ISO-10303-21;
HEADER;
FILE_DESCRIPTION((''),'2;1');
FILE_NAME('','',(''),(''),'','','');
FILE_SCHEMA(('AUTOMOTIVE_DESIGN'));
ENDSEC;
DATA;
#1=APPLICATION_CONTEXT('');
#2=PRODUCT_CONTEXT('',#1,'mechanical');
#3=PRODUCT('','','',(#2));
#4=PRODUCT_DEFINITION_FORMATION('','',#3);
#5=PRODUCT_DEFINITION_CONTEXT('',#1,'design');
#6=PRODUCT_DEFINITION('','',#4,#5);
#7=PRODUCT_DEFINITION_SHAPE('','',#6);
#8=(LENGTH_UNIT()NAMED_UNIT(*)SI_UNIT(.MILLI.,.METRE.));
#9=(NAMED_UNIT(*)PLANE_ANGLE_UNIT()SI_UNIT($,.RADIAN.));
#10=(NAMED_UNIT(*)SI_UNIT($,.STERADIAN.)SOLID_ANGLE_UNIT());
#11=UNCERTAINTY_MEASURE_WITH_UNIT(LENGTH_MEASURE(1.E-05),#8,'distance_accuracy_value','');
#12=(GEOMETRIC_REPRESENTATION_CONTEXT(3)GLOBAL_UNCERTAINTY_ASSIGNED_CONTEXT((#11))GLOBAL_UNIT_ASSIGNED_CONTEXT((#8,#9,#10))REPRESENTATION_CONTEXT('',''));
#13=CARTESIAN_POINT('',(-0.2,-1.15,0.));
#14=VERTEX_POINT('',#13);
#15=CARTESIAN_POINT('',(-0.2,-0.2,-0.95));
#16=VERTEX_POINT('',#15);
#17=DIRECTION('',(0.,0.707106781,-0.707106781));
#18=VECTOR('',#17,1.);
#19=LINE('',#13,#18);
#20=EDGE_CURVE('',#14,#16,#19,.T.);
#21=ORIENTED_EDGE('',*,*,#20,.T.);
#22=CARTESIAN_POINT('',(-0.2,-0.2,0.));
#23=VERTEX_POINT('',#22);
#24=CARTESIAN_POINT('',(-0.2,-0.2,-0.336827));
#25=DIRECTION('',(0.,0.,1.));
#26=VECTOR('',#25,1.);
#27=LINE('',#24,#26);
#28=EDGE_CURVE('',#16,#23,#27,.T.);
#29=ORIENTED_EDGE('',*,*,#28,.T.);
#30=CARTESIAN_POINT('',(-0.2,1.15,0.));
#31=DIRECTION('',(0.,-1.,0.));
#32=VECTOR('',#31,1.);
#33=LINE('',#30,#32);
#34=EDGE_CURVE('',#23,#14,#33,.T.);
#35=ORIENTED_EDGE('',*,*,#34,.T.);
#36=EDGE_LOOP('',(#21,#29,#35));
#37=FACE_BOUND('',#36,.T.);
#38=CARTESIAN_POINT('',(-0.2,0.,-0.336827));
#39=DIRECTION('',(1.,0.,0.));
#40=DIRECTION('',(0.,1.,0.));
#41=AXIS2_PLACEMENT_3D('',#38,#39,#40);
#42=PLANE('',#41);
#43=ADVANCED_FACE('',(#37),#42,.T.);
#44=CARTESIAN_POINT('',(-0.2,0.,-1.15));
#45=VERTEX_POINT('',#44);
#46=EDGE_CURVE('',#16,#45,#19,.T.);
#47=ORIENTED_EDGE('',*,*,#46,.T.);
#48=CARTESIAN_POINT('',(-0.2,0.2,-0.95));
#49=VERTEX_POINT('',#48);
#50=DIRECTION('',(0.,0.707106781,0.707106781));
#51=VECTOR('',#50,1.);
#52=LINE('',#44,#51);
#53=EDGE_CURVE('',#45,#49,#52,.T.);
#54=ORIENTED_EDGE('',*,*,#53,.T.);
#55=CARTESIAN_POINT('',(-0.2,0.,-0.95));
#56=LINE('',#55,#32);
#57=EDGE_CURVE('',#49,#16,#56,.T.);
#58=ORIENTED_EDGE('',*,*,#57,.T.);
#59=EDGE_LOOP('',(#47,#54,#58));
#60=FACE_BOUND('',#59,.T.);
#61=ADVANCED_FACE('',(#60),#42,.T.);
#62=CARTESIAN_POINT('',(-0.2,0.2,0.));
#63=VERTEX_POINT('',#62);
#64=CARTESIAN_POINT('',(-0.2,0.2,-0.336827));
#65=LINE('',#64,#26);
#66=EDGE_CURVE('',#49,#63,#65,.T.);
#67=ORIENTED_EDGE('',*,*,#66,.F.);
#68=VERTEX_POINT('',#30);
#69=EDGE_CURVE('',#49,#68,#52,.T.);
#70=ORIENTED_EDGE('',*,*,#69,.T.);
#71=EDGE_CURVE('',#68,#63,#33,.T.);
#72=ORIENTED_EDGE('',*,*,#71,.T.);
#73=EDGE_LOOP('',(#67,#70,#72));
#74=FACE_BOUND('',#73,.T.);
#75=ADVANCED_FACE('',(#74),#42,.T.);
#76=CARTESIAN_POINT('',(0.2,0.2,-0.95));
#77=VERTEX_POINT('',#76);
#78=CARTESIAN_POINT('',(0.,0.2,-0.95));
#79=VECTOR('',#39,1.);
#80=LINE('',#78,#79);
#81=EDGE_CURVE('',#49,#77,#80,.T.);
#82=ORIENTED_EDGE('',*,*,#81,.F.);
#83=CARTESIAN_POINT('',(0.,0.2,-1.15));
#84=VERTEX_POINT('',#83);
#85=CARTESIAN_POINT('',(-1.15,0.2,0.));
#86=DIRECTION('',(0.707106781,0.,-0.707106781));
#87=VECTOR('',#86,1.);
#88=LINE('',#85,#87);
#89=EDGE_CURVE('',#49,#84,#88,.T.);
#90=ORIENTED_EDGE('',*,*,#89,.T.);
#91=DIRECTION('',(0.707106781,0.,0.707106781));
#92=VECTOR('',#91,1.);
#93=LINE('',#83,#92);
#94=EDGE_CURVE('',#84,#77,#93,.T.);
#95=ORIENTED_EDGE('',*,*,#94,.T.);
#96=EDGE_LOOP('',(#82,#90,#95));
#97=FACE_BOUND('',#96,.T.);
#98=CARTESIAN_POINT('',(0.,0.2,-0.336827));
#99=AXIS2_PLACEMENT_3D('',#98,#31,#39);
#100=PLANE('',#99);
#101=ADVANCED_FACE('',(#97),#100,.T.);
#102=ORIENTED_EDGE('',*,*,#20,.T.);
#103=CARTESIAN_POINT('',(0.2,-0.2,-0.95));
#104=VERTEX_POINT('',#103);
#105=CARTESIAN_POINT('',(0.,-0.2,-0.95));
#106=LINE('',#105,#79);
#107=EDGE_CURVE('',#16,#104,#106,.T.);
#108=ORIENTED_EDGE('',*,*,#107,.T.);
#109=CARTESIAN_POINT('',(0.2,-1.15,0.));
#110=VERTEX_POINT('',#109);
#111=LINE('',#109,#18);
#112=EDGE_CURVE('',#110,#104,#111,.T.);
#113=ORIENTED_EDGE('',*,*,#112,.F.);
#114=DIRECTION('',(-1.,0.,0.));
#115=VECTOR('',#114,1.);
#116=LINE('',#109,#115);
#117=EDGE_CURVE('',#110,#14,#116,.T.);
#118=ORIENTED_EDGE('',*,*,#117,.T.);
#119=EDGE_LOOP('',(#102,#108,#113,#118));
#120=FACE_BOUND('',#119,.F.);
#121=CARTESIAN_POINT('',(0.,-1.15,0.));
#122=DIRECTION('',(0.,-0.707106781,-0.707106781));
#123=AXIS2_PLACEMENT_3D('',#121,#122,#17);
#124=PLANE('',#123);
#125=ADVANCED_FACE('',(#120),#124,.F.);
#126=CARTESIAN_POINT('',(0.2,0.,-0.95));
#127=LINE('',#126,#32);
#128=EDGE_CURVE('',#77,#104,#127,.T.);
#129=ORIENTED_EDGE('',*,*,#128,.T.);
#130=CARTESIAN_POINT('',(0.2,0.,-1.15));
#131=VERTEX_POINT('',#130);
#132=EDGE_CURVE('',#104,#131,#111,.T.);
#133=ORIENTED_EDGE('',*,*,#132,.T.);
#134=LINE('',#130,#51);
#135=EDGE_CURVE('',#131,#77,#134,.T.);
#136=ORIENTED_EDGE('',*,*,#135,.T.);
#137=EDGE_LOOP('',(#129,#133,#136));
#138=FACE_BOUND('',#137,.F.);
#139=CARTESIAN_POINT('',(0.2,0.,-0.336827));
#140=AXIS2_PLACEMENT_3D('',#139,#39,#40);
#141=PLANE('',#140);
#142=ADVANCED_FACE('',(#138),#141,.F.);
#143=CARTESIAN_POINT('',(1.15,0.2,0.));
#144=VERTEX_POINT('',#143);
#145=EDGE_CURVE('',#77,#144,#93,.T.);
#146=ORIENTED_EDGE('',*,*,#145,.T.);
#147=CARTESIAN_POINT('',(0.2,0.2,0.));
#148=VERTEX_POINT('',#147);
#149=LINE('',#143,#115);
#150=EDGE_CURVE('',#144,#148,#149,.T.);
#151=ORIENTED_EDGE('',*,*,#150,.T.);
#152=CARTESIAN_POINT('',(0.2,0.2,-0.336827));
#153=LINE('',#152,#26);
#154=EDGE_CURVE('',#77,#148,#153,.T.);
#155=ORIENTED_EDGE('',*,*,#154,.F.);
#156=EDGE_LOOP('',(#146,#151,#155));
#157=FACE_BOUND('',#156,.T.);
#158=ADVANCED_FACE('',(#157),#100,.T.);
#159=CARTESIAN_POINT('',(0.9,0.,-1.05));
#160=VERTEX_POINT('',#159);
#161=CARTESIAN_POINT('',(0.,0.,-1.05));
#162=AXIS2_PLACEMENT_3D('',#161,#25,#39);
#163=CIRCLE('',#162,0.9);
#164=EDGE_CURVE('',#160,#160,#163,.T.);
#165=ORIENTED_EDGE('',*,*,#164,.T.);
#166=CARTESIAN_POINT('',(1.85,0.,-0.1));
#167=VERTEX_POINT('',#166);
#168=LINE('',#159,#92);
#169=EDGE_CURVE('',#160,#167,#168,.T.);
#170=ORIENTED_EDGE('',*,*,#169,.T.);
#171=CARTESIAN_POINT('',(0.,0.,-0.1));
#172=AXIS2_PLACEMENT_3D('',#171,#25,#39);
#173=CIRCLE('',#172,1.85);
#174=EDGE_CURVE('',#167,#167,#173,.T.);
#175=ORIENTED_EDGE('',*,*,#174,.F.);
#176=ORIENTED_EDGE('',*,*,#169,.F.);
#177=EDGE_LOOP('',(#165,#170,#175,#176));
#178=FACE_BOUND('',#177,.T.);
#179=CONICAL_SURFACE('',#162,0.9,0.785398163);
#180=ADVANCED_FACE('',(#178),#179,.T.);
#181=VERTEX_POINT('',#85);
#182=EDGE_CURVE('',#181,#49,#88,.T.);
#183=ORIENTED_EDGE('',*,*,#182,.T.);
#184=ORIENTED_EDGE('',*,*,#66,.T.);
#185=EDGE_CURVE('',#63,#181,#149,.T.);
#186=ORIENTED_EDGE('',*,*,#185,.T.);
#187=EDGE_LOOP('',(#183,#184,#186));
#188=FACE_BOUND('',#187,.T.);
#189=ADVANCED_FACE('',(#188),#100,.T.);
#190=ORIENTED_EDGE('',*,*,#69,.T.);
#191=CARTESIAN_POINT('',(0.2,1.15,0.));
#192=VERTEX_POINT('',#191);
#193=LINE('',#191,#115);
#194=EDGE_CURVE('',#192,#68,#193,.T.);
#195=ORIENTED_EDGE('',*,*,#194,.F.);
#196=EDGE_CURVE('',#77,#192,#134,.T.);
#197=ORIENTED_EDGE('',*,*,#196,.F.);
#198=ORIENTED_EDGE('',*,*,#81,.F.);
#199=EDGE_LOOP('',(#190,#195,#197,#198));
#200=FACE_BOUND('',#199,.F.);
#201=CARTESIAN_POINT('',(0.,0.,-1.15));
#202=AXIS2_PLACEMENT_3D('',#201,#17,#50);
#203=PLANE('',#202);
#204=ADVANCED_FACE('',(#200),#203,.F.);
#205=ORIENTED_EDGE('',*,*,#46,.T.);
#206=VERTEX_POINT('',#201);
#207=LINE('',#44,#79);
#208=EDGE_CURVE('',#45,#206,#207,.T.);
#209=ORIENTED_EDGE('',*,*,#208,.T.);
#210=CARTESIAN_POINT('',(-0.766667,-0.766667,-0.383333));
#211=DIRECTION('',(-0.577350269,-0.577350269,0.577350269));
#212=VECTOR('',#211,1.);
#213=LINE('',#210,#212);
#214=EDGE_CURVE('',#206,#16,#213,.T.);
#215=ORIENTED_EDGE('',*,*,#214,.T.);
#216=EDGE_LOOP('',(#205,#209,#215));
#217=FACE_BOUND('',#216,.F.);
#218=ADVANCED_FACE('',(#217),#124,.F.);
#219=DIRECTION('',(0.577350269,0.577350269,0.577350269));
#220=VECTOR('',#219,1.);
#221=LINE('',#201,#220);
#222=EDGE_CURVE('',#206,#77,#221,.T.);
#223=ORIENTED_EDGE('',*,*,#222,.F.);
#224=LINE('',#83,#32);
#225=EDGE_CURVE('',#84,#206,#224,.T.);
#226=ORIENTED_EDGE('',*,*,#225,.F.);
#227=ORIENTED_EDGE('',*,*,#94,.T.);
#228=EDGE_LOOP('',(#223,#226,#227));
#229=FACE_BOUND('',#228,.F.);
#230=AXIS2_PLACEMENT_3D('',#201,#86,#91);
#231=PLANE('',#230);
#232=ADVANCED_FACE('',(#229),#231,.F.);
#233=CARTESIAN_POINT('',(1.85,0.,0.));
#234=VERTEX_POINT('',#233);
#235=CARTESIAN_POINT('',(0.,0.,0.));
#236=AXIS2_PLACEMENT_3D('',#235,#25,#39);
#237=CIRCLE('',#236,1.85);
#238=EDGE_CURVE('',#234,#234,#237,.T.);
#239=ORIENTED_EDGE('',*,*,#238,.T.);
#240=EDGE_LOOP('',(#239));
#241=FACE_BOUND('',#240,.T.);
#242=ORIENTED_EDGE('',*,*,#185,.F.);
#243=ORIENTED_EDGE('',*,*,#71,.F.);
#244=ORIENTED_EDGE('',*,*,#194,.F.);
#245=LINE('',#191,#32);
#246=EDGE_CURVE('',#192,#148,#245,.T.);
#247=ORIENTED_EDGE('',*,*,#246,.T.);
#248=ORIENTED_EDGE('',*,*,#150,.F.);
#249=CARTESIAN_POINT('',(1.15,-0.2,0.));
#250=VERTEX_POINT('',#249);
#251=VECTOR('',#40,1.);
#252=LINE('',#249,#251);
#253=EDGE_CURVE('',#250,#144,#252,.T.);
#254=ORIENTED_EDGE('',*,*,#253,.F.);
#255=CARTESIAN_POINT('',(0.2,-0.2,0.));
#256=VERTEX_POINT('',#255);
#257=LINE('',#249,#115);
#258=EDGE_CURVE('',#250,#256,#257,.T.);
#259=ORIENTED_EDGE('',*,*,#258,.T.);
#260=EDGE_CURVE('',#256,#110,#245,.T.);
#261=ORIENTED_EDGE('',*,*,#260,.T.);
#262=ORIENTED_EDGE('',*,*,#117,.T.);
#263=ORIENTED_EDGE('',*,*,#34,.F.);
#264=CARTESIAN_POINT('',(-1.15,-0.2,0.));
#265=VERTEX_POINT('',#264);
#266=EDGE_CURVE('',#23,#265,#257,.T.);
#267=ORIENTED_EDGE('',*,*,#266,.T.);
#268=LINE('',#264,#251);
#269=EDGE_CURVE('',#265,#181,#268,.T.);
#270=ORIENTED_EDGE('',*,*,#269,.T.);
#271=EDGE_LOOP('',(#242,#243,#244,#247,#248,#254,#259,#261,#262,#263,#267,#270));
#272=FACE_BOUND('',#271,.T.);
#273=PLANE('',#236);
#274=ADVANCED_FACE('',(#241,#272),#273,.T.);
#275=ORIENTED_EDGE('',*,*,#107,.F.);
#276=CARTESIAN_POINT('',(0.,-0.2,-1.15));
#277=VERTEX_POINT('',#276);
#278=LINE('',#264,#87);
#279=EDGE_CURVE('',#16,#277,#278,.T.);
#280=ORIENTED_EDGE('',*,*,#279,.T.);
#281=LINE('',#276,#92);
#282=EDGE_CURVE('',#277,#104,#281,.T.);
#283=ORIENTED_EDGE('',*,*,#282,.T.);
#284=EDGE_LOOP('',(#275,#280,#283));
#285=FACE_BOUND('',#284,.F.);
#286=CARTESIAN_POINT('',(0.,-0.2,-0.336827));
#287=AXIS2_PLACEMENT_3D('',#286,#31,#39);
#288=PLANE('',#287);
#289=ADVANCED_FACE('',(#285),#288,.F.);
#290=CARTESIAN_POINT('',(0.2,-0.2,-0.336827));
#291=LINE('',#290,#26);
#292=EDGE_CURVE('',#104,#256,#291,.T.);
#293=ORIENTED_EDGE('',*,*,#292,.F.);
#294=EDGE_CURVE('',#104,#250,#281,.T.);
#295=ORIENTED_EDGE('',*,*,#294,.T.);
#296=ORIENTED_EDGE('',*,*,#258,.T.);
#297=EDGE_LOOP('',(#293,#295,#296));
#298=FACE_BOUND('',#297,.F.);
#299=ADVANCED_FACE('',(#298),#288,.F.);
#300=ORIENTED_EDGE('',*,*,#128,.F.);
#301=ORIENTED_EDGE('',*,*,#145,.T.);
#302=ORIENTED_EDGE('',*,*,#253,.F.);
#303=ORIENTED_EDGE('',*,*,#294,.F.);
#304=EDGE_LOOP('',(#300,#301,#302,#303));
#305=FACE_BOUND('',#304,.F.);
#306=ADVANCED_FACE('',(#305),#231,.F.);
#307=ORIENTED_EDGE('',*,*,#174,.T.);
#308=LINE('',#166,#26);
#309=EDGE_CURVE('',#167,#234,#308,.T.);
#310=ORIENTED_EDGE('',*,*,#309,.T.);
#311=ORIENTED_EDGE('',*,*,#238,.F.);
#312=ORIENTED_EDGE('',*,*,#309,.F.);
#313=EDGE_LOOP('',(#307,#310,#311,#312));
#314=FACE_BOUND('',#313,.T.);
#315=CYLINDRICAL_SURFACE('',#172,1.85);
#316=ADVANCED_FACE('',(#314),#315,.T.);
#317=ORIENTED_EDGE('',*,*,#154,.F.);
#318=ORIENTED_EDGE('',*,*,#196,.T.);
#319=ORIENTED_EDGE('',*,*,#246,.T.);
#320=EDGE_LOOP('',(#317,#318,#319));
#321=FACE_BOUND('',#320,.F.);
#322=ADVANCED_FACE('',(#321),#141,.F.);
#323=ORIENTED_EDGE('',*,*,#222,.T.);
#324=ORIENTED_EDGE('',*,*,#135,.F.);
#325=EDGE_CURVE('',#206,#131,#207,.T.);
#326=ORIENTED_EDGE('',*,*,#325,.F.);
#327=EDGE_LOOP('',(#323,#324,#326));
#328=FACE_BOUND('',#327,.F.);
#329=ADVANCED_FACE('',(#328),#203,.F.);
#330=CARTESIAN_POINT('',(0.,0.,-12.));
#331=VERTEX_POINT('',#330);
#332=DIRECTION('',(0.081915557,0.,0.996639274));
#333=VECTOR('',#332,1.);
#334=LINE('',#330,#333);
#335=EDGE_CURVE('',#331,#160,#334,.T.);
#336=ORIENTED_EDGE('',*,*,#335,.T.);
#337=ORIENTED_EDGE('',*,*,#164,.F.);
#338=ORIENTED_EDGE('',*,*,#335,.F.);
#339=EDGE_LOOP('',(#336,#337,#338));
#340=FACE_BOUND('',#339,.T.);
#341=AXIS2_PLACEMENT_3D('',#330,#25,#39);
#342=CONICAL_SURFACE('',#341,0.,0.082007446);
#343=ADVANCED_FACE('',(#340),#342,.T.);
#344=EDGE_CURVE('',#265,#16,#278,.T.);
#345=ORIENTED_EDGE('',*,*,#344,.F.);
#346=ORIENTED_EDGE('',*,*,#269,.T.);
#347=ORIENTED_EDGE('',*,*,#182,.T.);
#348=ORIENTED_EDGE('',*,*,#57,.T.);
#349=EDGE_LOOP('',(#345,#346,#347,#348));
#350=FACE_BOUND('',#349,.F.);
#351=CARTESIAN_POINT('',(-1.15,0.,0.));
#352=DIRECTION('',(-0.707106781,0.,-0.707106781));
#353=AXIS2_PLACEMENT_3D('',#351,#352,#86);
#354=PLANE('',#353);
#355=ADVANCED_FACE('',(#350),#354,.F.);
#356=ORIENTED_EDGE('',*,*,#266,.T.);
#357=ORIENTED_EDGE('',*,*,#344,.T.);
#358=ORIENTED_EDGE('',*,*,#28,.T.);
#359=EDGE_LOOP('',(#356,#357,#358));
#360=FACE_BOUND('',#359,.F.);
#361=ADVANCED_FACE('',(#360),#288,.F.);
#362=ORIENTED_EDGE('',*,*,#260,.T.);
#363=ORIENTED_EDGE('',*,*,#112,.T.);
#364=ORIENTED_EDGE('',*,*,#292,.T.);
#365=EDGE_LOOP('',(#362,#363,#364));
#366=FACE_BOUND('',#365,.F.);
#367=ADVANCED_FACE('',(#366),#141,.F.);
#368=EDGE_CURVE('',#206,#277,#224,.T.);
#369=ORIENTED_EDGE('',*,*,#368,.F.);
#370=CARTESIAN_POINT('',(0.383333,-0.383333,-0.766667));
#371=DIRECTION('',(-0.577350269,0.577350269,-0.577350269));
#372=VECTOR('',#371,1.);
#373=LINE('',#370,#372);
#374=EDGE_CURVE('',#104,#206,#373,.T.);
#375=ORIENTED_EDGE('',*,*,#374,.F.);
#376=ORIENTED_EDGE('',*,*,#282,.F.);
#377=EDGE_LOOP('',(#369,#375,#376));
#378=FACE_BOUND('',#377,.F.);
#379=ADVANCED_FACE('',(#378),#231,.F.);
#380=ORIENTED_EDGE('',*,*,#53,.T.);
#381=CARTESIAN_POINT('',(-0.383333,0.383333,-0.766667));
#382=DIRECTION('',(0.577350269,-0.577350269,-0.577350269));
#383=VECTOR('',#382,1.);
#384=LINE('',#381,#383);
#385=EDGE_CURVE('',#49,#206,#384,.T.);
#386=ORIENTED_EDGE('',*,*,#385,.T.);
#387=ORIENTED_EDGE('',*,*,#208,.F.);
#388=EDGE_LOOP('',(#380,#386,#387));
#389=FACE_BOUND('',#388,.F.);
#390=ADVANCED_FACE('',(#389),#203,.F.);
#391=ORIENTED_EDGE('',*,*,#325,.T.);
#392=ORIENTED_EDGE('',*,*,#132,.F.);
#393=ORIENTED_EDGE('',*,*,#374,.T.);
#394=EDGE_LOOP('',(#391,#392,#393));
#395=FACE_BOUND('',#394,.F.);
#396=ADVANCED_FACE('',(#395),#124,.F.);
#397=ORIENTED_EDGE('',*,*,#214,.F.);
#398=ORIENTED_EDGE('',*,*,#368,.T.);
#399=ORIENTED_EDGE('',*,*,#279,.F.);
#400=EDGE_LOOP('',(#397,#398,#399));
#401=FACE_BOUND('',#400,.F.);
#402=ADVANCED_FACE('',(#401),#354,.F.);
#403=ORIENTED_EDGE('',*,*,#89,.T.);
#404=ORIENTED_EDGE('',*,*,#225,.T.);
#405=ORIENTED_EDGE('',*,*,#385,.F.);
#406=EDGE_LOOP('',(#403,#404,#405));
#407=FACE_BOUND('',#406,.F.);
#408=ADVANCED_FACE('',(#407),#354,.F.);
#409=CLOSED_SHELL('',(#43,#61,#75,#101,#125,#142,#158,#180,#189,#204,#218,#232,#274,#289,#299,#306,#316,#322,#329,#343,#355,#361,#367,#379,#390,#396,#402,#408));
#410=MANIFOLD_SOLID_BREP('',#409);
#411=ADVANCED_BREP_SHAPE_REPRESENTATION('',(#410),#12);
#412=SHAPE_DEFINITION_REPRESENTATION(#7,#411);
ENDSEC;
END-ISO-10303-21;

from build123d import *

# Parameters (mm, degrees)
POCKET_DEPTH       = 0.2
POLARPATTERN_COUNT = 2
POLARPATTERN_ANGLE = 90


with BuildPart() as part:
    # Sketch → Revolution (revolve)
    with BuildSketch(Plane.XZ):
        Polygon((0, 0), (0, -12), (0.9, -1.05), (1.85, -0.1), (1.85, 0), align=None)
    revolve(axis=Axis((0, 0, 0), (0, 0, 1)))

    # Sketch001 → Pocket (cut, symmetric)
    with BuildSketch(Plane.XZ):
        Polygon((-1.15, 0), (0, -1.15), (1.15, 0), align=None)
    pocket = extrude(amount=POCKET_DEPTH, both=True, mode=Mode.SUBTRACT)

    # PolarPattern: Pocket ×2 about axis
    polarpattern_axis = Axis((0, 0, 0), (0, 0, 1))
    for i in range(1, POLARPATTERN_COUNT):
        add(pocket.rotate(polarpattern_axis, i * POLARPATTERN_ANGLE / (POLARPATTERN_COUNT - 1)), mode=Mode.SUBTRACT)


solid = part.part
